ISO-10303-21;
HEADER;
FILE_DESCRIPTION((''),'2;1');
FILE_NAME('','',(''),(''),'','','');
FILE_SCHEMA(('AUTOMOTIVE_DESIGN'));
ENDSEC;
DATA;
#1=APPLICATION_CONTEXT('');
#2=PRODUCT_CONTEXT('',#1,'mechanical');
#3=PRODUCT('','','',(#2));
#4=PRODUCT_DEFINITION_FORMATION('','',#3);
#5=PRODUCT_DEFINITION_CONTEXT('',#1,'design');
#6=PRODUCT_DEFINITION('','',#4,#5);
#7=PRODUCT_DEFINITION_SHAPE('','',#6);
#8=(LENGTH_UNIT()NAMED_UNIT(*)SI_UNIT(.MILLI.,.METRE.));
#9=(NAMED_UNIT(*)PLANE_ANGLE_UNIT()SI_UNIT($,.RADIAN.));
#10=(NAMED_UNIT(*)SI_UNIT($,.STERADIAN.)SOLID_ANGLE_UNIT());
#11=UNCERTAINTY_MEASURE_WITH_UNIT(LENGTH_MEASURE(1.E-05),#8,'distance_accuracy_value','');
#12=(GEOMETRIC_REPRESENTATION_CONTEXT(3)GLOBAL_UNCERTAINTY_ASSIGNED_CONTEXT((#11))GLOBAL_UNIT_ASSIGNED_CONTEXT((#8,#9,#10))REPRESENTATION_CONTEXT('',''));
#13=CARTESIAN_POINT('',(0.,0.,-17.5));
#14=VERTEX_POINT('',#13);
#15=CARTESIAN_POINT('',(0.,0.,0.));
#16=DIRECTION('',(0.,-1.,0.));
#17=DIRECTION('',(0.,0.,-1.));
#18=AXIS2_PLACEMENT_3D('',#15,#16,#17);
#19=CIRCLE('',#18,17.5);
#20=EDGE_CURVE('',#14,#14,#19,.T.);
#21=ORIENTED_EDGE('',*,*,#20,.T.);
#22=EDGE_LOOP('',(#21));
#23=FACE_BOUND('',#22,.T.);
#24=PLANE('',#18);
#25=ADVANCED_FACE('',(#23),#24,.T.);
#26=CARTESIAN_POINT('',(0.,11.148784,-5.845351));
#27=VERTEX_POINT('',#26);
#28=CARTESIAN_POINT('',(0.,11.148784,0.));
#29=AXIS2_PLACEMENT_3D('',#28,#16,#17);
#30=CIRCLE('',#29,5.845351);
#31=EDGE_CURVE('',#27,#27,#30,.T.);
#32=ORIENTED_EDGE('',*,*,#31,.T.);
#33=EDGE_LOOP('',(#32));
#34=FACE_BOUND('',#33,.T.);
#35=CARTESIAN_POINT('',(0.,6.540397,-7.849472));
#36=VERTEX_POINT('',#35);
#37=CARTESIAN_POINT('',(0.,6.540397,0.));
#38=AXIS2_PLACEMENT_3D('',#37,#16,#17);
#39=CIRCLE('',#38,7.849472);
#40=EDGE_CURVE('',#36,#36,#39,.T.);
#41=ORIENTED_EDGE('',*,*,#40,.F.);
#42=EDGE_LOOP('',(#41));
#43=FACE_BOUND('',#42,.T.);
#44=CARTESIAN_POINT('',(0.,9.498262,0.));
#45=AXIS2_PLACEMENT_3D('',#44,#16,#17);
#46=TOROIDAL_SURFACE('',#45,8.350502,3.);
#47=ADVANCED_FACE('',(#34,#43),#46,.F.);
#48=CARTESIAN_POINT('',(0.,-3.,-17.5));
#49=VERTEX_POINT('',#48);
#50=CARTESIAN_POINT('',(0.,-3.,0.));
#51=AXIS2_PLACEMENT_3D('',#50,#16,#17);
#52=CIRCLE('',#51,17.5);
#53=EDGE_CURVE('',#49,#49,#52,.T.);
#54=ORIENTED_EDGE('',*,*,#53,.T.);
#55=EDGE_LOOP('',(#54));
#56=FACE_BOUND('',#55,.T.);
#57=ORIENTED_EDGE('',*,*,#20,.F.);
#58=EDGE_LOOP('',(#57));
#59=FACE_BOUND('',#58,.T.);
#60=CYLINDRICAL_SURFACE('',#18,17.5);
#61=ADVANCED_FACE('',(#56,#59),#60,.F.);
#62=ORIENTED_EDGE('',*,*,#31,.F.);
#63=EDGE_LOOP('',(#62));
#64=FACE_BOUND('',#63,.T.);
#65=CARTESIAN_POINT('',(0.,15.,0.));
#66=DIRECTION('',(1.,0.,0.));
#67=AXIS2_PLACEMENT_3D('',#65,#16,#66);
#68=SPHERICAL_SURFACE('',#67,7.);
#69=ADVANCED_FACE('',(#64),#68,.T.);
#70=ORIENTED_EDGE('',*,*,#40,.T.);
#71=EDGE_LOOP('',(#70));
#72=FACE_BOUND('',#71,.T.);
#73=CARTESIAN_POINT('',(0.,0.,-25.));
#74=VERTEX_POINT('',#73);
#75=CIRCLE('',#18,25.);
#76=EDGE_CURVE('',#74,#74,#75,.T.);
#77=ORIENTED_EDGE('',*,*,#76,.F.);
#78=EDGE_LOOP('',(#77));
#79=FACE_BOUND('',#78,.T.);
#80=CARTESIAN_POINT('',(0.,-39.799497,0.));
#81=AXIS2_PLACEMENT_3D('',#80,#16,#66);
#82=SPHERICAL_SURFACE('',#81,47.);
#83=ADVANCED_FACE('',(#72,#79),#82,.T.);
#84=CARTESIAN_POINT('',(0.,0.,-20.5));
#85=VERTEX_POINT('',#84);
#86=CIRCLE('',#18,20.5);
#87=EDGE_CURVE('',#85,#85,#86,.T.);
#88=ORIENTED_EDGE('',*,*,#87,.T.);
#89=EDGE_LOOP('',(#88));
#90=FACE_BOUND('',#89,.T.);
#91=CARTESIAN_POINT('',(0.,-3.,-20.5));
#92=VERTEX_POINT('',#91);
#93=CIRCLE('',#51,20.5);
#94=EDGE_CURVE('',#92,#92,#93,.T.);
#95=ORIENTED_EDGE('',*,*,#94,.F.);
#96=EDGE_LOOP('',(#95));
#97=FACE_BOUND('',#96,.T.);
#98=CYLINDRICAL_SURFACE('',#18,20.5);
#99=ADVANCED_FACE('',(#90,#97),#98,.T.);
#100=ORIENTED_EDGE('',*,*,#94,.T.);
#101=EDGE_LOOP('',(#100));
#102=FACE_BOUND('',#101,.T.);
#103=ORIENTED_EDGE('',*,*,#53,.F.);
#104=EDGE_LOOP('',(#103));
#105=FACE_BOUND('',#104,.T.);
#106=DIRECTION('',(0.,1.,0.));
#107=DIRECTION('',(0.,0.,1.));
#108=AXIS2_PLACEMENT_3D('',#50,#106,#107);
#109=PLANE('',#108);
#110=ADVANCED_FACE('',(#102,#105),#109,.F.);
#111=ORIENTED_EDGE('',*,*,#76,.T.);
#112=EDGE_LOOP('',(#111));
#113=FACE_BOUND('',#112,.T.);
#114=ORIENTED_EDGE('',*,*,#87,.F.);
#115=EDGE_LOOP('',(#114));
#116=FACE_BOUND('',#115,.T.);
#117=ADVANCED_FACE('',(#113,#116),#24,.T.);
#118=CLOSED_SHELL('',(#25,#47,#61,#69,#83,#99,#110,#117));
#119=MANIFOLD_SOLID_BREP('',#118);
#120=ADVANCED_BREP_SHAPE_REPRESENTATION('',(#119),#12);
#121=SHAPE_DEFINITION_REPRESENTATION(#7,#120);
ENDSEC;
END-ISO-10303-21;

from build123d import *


with BuildPart() as part:
    # Sketch1 → Revolve1 (revolve)
    with BuildSketch(Plane.XY):
        with BuildLine():
            Line((0, 22), (0, 0))
            Line((0, 0), (17.5, 0))
            Line((17.5, 0), (17.5, -3))
            Line((17.5, -3), (20.5, -3))
            Line((20.5, -3), (20.5, 0))
            Line((20.5, 0), (25, 0))
            ThreePointArc((25, 0), (16.747123528, 4.115577986), (7.849471791, 6.540396696))
            ThreePointArc((7.849471791, 6.540396696), (5.599395212, 8.301845982), (5.845351334, 11.148783597))
            ThreePointArc((5.845351334, 11.148783597), (6.162731327, 18.319750381), (0, 22))
        make_face()
    revolve(axis=Axis((0, 0, 0), (0, 1, 0)))


solid = part.part
